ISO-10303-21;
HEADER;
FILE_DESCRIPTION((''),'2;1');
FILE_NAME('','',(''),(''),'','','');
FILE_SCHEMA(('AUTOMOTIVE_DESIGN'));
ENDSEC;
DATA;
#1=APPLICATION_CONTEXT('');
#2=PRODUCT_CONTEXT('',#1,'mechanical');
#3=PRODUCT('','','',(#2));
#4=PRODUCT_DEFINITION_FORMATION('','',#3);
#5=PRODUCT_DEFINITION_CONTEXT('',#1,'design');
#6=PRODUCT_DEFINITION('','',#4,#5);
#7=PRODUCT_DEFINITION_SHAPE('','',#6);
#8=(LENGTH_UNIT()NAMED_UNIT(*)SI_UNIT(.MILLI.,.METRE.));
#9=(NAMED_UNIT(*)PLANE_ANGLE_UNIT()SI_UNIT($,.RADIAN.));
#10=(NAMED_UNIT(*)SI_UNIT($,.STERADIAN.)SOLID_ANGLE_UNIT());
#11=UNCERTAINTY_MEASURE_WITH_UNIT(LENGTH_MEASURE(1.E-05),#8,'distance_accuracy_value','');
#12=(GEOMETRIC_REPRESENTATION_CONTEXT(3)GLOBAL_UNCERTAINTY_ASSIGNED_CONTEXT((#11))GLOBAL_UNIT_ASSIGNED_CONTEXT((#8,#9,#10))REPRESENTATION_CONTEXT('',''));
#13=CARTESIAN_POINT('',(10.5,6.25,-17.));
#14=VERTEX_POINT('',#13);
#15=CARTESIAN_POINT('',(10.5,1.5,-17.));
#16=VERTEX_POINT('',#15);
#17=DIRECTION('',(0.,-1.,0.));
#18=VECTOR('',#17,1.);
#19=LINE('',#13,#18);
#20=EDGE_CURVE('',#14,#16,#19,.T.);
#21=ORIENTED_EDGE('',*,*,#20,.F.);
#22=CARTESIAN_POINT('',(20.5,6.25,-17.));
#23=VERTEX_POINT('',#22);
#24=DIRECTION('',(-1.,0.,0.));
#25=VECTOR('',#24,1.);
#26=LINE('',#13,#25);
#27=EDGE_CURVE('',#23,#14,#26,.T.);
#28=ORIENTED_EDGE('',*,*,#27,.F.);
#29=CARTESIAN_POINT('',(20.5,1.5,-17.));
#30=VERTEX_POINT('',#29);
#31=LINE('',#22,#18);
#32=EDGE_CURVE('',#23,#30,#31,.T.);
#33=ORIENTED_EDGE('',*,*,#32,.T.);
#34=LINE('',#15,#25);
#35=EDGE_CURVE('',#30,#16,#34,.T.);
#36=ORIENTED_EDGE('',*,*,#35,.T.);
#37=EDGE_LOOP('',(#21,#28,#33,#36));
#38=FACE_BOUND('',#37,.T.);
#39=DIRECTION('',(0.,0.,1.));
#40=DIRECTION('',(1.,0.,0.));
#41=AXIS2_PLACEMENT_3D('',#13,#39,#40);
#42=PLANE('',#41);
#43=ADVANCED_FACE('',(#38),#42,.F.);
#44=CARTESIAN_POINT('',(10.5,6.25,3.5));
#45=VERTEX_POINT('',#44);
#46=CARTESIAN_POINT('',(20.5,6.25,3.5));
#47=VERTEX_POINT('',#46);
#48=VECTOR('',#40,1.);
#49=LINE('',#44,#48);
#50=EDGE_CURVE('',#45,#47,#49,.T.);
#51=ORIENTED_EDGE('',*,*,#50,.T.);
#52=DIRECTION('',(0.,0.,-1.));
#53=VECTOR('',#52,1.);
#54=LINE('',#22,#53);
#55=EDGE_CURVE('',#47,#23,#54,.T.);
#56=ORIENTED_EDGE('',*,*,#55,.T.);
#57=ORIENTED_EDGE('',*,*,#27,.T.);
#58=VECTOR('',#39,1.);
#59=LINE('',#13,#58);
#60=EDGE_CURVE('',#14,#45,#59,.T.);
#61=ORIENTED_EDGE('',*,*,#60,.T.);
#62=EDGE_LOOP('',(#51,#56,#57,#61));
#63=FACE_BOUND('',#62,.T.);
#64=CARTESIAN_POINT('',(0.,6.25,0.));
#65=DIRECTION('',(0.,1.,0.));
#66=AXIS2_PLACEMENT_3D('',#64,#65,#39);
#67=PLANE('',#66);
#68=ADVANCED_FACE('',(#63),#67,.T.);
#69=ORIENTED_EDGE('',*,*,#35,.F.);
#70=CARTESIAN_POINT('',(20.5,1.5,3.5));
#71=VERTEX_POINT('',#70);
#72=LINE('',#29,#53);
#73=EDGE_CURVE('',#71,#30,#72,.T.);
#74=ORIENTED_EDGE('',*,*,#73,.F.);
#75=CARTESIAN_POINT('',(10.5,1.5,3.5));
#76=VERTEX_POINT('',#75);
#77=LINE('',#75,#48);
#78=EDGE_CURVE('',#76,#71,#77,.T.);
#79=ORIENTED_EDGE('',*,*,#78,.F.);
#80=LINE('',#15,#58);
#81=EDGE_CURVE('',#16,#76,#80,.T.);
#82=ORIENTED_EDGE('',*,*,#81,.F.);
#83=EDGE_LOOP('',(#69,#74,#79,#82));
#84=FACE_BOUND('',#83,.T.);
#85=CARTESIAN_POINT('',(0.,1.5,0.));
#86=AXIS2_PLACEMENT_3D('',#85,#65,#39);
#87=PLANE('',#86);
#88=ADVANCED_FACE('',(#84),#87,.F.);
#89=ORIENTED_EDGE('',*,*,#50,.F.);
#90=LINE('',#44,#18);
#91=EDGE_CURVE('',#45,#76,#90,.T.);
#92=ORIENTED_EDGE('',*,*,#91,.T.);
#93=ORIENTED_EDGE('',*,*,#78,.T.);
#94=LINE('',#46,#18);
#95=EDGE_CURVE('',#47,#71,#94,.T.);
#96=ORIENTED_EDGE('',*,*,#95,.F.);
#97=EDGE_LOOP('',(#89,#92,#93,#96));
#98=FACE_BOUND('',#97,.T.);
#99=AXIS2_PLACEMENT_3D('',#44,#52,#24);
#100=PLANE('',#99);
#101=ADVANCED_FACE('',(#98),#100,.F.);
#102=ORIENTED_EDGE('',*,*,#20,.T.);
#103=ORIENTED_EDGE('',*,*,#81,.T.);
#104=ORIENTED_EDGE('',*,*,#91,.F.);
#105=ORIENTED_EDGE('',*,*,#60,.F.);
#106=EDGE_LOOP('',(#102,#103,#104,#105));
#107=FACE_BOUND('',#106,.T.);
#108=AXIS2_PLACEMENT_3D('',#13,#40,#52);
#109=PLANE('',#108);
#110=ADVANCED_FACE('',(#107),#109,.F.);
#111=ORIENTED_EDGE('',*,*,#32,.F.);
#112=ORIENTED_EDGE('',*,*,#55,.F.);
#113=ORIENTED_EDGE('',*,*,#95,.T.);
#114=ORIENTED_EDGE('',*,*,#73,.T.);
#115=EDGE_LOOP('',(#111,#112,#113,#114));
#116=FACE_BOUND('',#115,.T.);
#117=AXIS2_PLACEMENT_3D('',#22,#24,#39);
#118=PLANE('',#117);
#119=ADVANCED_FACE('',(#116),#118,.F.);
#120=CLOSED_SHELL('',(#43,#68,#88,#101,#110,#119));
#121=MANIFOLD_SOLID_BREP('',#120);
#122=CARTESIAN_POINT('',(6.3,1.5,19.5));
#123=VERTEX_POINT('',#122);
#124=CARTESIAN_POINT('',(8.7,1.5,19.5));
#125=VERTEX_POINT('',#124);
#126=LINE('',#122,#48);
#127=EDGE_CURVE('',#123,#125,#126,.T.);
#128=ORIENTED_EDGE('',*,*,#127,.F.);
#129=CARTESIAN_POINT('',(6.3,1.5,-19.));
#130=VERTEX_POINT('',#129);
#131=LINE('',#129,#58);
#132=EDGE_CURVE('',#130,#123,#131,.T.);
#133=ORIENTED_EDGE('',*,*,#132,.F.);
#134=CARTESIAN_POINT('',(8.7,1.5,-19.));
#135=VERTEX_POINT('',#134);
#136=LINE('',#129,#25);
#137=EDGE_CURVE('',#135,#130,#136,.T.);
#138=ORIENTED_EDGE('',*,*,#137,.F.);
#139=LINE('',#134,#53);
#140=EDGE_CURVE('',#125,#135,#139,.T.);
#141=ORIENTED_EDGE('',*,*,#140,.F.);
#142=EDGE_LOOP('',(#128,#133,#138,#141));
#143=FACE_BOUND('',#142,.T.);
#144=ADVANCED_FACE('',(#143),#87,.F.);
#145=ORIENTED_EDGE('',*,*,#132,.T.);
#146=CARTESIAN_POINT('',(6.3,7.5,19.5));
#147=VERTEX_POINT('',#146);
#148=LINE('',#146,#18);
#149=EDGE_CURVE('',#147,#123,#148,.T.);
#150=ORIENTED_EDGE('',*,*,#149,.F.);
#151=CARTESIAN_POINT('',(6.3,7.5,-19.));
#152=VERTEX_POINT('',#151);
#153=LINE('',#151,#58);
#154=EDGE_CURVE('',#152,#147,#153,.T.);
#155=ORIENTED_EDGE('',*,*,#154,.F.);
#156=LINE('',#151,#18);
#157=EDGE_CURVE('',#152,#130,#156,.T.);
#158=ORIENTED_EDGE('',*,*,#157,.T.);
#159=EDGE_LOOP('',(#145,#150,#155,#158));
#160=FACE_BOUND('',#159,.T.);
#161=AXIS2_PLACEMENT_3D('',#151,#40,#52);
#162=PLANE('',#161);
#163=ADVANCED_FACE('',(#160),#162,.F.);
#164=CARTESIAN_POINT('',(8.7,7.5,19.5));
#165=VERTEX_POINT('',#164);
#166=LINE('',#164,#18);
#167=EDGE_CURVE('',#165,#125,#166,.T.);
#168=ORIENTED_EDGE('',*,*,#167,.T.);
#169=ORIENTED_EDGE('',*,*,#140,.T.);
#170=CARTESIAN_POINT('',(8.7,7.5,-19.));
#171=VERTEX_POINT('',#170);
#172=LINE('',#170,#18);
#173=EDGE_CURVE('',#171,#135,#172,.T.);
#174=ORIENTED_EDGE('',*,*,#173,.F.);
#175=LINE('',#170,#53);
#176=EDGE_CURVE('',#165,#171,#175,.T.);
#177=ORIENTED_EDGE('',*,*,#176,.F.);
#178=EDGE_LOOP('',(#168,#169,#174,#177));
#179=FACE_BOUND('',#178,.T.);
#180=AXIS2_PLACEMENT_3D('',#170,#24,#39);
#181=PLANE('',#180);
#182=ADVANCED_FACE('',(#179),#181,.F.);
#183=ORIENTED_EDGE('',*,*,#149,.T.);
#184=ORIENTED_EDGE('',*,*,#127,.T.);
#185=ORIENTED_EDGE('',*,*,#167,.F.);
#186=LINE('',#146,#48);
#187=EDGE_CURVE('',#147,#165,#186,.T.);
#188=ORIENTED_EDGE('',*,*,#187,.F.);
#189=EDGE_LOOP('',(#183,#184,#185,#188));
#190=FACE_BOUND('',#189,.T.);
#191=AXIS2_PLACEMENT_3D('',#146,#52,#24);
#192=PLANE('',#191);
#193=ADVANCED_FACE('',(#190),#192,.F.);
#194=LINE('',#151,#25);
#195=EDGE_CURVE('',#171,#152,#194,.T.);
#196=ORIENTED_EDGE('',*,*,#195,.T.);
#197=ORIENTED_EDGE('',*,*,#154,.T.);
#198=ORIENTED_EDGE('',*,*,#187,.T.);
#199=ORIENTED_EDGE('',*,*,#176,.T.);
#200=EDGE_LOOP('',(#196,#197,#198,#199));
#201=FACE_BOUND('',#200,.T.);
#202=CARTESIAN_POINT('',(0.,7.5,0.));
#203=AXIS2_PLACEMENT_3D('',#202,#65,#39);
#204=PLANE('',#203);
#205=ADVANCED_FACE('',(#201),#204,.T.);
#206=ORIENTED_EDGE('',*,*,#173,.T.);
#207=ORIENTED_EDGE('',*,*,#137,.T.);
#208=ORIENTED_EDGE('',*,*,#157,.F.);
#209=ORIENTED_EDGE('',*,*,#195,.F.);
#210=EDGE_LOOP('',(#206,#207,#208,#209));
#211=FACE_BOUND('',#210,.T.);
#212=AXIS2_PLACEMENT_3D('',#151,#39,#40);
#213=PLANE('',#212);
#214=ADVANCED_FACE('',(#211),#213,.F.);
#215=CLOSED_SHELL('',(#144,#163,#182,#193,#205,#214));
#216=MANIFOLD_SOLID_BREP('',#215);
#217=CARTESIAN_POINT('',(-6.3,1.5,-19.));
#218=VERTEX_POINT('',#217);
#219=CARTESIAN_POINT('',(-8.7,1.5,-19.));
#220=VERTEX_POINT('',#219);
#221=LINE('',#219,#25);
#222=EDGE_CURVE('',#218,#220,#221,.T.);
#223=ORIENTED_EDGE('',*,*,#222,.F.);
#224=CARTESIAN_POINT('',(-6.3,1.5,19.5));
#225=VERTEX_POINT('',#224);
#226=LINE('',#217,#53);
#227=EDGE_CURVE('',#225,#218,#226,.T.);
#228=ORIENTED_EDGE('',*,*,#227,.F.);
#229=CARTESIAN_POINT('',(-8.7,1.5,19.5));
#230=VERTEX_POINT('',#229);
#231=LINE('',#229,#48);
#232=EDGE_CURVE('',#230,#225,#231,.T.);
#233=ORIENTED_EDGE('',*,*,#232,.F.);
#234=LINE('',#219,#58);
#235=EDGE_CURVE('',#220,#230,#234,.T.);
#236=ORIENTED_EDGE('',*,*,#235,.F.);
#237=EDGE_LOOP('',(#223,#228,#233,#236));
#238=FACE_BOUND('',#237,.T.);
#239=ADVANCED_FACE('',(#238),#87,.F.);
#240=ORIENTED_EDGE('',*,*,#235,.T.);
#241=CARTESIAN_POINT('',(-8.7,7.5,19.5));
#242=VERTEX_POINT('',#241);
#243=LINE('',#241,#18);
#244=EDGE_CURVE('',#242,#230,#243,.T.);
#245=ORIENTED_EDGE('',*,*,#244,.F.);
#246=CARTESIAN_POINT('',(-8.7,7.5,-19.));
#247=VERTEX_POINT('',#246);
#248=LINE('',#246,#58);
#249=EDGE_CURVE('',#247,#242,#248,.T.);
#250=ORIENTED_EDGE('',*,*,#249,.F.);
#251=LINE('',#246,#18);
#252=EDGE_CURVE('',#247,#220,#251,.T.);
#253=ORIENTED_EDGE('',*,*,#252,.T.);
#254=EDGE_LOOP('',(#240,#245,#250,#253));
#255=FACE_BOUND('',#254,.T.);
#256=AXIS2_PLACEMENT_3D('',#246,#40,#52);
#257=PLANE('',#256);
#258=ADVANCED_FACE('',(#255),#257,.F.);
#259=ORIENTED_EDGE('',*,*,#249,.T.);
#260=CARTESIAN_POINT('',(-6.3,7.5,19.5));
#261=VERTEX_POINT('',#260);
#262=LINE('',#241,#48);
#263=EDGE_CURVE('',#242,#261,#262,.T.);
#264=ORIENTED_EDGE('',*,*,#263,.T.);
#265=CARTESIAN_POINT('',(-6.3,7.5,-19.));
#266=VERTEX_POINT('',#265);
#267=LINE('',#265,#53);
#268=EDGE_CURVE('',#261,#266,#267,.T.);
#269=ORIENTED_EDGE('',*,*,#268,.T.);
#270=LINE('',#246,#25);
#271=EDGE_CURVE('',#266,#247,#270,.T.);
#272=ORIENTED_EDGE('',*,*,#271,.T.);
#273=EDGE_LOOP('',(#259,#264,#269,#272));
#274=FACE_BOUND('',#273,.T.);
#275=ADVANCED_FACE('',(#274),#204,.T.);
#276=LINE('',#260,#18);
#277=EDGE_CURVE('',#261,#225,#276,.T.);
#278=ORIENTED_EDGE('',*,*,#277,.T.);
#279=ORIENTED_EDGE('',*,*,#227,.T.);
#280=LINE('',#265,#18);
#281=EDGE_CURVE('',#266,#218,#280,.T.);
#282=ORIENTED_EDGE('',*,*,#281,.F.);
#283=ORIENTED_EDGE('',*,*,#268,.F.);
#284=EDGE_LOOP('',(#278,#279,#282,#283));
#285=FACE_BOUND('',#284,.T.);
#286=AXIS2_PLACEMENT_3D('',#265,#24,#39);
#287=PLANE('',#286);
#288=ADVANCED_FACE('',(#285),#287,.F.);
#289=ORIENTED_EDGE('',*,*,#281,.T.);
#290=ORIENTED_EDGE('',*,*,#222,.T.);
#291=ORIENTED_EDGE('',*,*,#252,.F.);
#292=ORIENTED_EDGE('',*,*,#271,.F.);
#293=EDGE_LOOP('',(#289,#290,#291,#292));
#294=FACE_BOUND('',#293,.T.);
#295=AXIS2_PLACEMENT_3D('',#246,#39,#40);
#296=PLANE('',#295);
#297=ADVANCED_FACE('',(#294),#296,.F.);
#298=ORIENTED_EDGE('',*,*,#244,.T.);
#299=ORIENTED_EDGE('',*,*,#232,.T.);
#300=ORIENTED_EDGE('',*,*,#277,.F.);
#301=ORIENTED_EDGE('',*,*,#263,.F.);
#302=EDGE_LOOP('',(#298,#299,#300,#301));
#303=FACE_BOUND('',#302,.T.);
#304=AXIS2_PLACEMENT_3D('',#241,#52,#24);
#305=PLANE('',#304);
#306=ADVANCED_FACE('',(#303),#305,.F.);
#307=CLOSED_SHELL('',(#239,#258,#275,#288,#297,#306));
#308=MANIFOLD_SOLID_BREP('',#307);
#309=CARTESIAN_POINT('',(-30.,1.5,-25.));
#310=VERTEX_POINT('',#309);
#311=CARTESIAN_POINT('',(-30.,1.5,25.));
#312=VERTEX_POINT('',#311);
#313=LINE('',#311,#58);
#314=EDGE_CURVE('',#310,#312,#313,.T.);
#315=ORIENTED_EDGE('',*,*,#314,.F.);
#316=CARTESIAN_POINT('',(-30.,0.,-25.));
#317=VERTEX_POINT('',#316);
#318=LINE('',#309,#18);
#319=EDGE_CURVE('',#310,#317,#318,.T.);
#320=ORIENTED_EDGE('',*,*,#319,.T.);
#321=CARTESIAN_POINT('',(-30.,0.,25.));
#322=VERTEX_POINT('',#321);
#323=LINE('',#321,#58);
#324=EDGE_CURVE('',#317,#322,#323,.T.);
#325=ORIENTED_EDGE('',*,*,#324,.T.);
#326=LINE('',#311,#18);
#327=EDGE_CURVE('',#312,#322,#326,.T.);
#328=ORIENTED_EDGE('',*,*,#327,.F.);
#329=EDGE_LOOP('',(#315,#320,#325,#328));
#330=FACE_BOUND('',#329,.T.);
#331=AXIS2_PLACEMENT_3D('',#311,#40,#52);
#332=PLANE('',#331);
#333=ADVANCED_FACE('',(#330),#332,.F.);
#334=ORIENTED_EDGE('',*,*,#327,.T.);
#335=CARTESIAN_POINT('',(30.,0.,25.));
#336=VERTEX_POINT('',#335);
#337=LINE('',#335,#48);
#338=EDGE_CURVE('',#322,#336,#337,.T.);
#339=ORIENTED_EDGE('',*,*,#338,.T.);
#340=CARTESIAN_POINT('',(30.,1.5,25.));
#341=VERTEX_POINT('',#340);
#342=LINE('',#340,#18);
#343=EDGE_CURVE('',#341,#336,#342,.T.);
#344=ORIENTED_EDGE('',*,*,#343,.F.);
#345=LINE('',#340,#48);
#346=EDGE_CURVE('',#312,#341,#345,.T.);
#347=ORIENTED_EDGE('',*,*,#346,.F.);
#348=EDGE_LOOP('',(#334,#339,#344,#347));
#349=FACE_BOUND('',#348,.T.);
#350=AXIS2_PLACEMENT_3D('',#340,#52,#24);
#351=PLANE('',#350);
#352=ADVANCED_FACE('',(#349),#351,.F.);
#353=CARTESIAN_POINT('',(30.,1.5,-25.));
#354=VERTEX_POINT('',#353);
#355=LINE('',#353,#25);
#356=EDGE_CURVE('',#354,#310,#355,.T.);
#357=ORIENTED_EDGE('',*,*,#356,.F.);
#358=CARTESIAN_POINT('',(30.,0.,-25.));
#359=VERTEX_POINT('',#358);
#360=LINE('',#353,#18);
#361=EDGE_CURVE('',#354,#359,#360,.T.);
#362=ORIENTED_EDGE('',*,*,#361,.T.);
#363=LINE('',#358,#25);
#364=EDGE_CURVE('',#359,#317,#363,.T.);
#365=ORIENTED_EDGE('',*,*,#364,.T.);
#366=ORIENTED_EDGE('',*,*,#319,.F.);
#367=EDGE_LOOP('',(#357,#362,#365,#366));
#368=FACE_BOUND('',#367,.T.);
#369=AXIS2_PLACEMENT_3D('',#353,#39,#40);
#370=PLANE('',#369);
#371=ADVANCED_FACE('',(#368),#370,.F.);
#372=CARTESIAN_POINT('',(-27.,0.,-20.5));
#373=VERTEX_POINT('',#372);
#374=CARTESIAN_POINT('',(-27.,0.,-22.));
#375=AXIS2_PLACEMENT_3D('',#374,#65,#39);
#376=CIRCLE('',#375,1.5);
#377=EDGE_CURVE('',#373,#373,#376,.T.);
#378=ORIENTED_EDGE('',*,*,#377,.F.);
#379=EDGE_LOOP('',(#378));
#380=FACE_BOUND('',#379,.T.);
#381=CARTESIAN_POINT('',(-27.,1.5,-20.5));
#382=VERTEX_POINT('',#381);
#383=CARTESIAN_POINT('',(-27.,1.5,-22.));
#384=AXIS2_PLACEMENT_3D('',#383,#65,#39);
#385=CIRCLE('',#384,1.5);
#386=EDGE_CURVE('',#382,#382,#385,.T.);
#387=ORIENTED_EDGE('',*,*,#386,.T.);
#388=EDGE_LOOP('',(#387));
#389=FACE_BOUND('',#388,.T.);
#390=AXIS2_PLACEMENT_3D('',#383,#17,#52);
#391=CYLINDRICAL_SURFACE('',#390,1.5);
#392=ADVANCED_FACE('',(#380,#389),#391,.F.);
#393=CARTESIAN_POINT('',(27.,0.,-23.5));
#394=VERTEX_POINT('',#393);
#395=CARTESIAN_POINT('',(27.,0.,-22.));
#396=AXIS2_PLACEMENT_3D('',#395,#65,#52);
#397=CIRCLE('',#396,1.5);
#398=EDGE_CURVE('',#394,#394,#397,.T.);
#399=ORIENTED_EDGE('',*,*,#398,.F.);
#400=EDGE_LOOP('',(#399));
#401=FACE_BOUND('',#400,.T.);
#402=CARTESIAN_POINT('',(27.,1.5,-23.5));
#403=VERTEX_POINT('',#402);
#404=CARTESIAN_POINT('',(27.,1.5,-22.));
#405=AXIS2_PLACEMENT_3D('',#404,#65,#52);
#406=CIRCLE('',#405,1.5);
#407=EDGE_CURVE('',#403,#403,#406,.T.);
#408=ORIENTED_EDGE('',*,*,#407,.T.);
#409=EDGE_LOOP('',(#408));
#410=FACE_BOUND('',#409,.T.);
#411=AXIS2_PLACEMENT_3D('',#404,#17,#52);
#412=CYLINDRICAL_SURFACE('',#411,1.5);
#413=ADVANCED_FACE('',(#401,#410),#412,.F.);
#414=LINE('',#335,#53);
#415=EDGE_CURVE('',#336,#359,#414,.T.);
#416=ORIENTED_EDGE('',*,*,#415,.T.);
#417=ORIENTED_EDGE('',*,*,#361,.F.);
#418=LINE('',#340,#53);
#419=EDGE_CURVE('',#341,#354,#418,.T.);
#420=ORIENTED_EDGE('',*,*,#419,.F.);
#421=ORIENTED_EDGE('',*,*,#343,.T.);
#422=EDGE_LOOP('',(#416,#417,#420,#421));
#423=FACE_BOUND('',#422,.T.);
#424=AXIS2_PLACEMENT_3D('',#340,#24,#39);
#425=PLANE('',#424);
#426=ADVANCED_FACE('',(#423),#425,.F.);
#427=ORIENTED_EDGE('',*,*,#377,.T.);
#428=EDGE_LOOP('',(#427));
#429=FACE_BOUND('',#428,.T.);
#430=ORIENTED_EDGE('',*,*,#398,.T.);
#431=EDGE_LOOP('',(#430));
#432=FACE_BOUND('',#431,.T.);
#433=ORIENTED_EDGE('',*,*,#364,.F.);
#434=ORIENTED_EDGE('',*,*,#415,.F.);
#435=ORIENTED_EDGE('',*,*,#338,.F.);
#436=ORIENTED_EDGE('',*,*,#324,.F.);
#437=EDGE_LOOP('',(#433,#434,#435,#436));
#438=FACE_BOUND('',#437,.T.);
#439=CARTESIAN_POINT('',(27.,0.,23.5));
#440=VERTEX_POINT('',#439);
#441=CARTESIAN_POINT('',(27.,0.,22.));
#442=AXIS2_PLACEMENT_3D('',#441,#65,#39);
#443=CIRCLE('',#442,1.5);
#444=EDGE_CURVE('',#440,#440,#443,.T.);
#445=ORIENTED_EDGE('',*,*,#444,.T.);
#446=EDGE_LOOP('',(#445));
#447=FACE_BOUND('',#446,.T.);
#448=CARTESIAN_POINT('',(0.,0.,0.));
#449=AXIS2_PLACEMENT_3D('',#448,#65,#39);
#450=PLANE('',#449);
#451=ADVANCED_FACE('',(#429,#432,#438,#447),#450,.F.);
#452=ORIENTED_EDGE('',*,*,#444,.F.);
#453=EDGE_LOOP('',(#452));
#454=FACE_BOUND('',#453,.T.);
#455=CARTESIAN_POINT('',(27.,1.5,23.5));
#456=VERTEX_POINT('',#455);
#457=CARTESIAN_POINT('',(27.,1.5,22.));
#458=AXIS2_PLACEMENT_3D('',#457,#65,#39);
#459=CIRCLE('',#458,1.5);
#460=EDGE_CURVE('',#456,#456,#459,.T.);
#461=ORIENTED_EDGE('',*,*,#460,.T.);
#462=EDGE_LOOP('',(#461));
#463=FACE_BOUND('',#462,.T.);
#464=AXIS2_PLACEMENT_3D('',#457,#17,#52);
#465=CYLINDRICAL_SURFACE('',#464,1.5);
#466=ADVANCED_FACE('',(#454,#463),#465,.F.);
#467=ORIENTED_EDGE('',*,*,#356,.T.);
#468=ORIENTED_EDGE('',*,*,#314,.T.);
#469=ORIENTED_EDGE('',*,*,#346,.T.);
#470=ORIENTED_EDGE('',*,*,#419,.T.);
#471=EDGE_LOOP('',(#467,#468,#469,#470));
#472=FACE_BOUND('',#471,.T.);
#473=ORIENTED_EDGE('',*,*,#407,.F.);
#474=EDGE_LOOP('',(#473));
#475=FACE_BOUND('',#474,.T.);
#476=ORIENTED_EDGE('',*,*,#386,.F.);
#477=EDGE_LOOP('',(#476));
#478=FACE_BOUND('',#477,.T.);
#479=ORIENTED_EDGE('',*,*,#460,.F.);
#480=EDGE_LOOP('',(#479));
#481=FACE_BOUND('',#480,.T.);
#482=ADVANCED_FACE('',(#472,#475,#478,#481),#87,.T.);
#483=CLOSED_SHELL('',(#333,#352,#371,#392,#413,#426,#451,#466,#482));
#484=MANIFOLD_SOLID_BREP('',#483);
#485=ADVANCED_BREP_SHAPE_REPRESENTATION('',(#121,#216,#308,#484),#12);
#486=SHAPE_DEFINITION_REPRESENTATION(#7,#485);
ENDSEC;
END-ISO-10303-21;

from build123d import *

# Parameters (mm, degrees)
SKETCH1_W                   = 60
SKETCH1_H                   = 50
SKETCH1_R                   = 1.5
PCB_DEPTH                   = 1.5
SKETCH2_W                   = 2.4
SKETCH2_H                   = 38.5
NANO_FEMALE_HEADERS_DEPTH   = 6
NANO_FEMALE_HEADERS_2_DEPTH = 6
SKETCH3_W                   = 10
SKETCH3_H                   = 20.5
DIP16_SOCKET_DEPTH          = 4.75


with BuildPart() as part:
    # Sketch1 → pcb (new body)
    with BuildSketch(Plane(origin=(0, 0, 0), x_dir=(1, 0, 0), z_dir=(0, 1, 0))):
        Rectangle(SKETCH1_W, SKETCH1_H)
        with Locations(Location((-27, 22, 0), (0, 0, 270))):
            Circle(SKETCH1_R, mode=Mode.SUBTRACT)
        with Locations(Location((27, 22, 0), (0, 0, 90))):
            Circle(SKETCH1_R, mode=Mode.SUBTRACT)
        with Locations(Location((27, -22, 0), (0, 0, 270))):
            Circle(SKETCH1_R, mode=Mode.SUBTRACT)
    extrude(amount=PCB_DEPTH)


with BuildPart() as body_2:
    # Sketch2 → nano_female_headers (new body)
    with BuildSketch(Plane(origin=(0, 1.5, 0), x_dir=(1, 0, 0), z_dir=(0, 1, 0))):
        with Locations((-7.5, -0.25)):
            Rectangle(SKETCH2_W, SKETCH2_H)
    extrude(amount=NANO_FEMALE_HEADERS_DEPTH)


with BuildPart() as body_3:
    # Sketch2 → nano_female_headers 2 (new body)
    with BuildSketch(Plane(origin=(0, 1.5, 0), x_dir=(1, 0, 0), z_dir=(0, 1, 0))):
        with Locations((7.5, -0.25)):
            Rectangle(SKETCH2_W, SKETCH2_H)
    extrude(amount=NANO_FEMALE_HEADERS_2_DEPTH)


with BuildPart() as body_4:
    # Sketch3 → dip16_socket (new body)
    with BuildSketch(Plane(origin=(0, 1.5, 0), x_dir=(1, 0, 0), z_dir=(0, 1, 0))):
        with Locations((15.5, 6.75)):
            Rectangle(SKETCH3_W, SKETCH3_H)
    extrude(amount=DIP16_SOCKET_DEPTH)


solid = Compound([part.part, body_2.part, body_3.part, body_4.part])
